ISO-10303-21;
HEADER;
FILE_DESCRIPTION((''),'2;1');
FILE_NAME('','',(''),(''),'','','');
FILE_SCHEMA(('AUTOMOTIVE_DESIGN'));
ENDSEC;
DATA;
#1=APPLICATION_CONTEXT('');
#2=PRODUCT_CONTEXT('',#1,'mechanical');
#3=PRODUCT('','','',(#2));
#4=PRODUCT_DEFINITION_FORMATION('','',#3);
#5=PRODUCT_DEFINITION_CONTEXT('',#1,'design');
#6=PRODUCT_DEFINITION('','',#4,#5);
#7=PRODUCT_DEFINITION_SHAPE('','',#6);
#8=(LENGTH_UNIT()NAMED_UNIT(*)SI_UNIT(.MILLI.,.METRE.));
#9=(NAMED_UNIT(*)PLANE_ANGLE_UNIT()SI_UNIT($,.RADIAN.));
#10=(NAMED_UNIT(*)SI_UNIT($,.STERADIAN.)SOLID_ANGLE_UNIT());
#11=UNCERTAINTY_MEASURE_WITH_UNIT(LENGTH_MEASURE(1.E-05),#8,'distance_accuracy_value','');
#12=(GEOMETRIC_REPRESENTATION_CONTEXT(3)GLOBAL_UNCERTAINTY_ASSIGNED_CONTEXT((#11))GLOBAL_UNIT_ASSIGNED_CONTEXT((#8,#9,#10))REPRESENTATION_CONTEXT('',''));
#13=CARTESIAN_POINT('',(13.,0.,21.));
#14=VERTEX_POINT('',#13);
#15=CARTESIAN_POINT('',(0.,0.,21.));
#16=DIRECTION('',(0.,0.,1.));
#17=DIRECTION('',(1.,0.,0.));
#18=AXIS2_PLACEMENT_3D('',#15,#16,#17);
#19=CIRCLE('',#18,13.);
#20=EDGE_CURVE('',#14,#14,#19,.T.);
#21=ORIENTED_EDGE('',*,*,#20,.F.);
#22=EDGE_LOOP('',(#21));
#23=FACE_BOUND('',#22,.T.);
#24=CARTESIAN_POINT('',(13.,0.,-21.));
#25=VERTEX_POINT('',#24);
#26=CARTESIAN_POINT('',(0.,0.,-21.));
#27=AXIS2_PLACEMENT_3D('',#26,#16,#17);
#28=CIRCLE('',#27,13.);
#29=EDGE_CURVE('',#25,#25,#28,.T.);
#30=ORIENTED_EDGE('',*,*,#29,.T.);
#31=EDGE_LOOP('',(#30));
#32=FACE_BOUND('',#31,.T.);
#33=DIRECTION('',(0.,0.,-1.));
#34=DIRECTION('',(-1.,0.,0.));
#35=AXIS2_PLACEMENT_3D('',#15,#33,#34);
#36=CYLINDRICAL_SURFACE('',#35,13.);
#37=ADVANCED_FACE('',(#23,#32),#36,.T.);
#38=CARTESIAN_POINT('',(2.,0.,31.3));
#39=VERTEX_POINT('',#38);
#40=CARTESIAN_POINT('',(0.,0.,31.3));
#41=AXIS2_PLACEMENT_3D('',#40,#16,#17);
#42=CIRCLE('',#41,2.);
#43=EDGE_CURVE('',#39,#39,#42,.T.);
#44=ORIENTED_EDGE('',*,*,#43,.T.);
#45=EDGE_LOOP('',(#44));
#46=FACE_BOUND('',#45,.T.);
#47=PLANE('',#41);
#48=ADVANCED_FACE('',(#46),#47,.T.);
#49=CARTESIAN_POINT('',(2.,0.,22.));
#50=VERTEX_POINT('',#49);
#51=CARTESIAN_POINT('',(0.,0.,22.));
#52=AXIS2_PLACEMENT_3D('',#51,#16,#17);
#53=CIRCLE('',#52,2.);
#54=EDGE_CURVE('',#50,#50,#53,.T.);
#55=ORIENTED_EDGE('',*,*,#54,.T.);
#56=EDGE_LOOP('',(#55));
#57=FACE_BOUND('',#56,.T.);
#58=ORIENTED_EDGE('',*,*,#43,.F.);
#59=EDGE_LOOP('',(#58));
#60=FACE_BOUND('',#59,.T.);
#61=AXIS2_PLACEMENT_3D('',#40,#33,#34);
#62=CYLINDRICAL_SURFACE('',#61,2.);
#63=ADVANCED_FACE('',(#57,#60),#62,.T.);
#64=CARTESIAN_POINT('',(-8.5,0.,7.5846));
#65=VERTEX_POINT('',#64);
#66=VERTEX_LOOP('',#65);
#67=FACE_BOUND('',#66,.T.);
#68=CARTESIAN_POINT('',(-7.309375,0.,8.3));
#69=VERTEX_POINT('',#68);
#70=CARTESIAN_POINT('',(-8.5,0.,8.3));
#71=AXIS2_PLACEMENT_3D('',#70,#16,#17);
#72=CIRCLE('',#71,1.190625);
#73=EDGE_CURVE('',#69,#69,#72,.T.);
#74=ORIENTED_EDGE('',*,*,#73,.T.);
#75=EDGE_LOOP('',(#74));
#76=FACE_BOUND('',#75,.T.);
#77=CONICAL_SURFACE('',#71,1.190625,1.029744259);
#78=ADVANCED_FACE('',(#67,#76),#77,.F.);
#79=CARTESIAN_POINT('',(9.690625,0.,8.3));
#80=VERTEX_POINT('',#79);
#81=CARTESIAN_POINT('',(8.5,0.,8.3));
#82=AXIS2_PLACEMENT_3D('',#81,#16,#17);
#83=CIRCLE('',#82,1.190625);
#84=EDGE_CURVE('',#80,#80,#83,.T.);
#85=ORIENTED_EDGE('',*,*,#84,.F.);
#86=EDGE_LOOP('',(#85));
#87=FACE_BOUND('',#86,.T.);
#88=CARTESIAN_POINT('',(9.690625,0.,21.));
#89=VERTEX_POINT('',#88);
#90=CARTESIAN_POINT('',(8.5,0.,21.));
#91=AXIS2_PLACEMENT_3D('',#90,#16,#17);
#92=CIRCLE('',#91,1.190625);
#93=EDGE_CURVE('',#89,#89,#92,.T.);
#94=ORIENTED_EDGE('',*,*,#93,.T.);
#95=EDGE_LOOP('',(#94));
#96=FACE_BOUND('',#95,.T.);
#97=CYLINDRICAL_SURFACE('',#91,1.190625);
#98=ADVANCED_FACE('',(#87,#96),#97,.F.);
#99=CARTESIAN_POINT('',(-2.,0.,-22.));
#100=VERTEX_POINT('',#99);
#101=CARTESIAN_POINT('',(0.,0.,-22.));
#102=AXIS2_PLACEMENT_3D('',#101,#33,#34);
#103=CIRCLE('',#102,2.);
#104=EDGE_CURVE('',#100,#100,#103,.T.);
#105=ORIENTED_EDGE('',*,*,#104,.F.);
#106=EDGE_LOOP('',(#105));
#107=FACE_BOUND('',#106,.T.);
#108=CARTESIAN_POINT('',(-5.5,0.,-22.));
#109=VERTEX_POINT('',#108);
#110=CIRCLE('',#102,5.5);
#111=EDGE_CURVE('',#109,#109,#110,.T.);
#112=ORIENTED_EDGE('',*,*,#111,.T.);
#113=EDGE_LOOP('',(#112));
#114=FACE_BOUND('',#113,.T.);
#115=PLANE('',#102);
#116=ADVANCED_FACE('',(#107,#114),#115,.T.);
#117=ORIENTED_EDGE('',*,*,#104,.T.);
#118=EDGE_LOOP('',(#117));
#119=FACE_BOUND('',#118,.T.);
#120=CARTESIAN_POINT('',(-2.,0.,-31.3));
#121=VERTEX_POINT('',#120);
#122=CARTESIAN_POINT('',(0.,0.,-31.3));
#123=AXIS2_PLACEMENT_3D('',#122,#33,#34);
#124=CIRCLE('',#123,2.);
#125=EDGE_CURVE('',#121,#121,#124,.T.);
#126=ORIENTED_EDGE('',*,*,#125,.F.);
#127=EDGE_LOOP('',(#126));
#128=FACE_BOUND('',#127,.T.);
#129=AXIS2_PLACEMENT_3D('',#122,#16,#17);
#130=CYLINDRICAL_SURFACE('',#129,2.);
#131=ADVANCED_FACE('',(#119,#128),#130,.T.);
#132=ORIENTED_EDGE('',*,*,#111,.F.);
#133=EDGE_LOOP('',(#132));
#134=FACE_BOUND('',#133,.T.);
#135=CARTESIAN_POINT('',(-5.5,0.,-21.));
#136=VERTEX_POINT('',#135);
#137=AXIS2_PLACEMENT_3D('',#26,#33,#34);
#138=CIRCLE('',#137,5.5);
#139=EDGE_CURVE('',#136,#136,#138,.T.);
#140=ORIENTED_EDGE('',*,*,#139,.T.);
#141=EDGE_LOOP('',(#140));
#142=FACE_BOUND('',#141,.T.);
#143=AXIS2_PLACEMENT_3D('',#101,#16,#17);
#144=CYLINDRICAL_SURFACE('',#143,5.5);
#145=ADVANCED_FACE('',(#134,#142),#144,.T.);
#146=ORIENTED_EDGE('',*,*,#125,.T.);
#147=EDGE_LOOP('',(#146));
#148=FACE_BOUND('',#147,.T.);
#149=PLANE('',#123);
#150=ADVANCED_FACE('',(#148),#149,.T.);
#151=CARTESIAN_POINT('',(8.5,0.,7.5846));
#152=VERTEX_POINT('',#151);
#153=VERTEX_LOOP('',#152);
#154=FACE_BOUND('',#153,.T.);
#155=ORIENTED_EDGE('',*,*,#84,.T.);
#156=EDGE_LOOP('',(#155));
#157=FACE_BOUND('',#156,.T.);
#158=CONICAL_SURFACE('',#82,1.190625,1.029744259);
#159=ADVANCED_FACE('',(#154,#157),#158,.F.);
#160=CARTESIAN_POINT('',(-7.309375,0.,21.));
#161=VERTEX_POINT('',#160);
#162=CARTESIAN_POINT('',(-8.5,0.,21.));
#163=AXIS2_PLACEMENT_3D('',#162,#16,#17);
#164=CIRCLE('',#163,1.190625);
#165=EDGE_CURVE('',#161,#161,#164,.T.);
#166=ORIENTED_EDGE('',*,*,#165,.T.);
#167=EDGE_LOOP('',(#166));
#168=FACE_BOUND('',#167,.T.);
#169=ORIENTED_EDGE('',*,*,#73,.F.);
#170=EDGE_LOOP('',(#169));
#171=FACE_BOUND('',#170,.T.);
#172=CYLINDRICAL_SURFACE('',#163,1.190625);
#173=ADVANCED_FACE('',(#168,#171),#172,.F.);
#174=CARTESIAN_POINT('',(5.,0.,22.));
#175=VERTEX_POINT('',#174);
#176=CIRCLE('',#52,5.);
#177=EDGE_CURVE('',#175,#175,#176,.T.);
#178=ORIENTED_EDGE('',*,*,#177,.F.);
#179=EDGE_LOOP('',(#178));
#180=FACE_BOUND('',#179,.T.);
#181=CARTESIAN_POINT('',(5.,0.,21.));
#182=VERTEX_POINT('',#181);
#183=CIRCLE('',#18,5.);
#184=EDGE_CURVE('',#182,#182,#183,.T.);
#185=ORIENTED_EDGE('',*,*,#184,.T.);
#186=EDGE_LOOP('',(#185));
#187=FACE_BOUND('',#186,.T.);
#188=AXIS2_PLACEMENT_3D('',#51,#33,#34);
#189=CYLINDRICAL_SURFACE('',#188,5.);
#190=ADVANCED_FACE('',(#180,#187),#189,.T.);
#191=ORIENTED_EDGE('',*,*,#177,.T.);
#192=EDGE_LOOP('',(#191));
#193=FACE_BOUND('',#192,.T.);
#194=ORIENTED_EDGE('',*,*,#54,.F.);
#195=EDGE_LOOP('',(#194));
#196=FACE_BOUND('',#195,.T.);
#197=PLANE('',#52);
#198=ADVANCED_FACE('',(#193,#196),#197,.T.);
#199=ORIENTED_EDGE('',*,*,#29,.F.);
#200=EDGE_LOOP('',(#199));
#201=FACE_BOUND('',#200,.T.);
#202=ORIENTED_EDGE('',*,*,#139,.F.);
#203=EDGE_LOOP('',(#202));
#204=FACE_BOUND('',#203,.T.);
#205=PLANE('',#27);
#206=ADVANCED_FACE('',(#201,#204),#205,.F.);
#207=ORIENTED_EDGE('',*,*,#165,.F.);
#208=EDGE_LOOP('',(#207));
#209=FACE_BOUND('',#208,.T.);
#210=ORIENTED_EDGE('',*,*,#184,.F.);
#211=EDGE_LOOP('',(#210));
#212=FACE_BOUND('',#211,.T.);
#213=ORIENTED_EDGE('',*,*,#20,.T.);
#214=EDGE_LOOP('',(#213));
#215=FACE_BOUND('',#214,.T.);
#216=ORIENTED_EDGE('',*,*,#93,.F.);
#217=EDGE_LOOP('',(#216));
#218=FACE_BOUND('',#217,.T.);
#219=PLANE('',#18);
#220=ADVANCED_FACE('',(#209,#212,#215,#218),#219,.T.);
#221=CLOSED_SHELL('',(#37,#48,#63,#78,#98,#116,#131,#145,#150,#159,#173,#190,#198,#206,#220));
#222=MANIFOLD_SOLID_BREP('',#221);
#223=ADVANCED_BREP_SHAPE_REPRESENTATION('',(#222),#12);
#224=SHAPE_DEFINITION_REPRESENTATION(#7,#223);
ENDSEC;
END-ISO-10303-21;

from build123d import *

# Parameters (mm, degrees)
SKETCH1_R                           = 13
BOSS_EXTRUDE1_DEPTH                 = 21
SKETCH2_R                           = 5
BOSS_EXTRUDE2_DEPTH                 = 1
SKETCH4_R                           = 5.5
BOSS_EXTRUDE4_DEPTH                 = 1
SKETCH3_R                           = 2
BOSS_EXTRUDE5_DEPTH                 = 9.3
SKETCH5_R                           = 2
BOSS_EXTRUDE6_DEPTH                 = 9.3
F_3_32_0_09375_DIAMETER_HOLE1_D     = 2.38125
F_3_32_0_09375_DIAMETER_HOLE1_DEPTH = 12.7
F_3_32_0_09375_DIAMETER_HOLE1_TIP   = 0.715399675


with BuildPart() as part:
    # Sketch1 → Boss-Extrude1 (new body, symmetric)
    with BuildSketch(Plane(origin=(0, 0, 0), x_dir=(0, 1, 0), z_dir=(0, 0, 1))):
        Circle(SKETCH1_R)
    extrude(amount=BOSS_EXTRUDE1_DEPTH, both=True)

    # Sketch2 → Boss-Extrude2 (add)
    with BuildSketch(Plane.XY.offset(21)):
        Circle(SKETCH2_R)
    extrude(amount=BOSS_EXTRUDE2_DEPTH)

    # Sketch4 → Boss-Extrude4 (add)
    with BuildSketch(Plane(origin=(0, 0, -21), x_dir=(1, 0, 0), z_dir=(0, 0, -1))):
        Circle(SKETCH4_R)
    extrude(amount=BOSS_EXTRUDE4_DEPTH)

    # Sketch3 → Boss-Extrude5 (add)
    with BuildSketch(Plane.XY.offset(22)):
        Circle(SKETCH3_R)
    extrude(amount=BOSS_EXTRUDE5_DEPTH)

    # Sketch5 → Boss-Extrude6 (add)
    with BuildSketch(Plane(origin=(0, 0, -22), x_dir=(1, 0, 0), z_dir=(0, 0, -1))):
        Circle(SKETCH5_R)
    extrude(amount=BOSS_EXTRUDE6_DEPTH)

    # 3/32 (0.09375) Diameter Hole1
    with Locations(Plane.XY.offset(21)):
        with Locations((8.5, 0), (-8.5, 0)):
            Hole(F_3_32_0_09375_DIAMETER_HOLE1_D / 2, depth=F_3_32_0_09375_DIAMETER_HOLE1_DEPTH)
            with Locations((0, 0, -(F_3_32_0_09375_DIAMETER_HOLE1_DEPTH + F_3_32_0_09375_DIAMETER_HOLE1_TIP / 2))):  # 118° drill point
                Cone(0, F_3_32_0_09375_DIAMETER_HOLE1_D / 2, F_3_32_0_09375_DIAMETER_HOLE1_TIP, mode=Mode.SUBTRACT)


solid = part.part
